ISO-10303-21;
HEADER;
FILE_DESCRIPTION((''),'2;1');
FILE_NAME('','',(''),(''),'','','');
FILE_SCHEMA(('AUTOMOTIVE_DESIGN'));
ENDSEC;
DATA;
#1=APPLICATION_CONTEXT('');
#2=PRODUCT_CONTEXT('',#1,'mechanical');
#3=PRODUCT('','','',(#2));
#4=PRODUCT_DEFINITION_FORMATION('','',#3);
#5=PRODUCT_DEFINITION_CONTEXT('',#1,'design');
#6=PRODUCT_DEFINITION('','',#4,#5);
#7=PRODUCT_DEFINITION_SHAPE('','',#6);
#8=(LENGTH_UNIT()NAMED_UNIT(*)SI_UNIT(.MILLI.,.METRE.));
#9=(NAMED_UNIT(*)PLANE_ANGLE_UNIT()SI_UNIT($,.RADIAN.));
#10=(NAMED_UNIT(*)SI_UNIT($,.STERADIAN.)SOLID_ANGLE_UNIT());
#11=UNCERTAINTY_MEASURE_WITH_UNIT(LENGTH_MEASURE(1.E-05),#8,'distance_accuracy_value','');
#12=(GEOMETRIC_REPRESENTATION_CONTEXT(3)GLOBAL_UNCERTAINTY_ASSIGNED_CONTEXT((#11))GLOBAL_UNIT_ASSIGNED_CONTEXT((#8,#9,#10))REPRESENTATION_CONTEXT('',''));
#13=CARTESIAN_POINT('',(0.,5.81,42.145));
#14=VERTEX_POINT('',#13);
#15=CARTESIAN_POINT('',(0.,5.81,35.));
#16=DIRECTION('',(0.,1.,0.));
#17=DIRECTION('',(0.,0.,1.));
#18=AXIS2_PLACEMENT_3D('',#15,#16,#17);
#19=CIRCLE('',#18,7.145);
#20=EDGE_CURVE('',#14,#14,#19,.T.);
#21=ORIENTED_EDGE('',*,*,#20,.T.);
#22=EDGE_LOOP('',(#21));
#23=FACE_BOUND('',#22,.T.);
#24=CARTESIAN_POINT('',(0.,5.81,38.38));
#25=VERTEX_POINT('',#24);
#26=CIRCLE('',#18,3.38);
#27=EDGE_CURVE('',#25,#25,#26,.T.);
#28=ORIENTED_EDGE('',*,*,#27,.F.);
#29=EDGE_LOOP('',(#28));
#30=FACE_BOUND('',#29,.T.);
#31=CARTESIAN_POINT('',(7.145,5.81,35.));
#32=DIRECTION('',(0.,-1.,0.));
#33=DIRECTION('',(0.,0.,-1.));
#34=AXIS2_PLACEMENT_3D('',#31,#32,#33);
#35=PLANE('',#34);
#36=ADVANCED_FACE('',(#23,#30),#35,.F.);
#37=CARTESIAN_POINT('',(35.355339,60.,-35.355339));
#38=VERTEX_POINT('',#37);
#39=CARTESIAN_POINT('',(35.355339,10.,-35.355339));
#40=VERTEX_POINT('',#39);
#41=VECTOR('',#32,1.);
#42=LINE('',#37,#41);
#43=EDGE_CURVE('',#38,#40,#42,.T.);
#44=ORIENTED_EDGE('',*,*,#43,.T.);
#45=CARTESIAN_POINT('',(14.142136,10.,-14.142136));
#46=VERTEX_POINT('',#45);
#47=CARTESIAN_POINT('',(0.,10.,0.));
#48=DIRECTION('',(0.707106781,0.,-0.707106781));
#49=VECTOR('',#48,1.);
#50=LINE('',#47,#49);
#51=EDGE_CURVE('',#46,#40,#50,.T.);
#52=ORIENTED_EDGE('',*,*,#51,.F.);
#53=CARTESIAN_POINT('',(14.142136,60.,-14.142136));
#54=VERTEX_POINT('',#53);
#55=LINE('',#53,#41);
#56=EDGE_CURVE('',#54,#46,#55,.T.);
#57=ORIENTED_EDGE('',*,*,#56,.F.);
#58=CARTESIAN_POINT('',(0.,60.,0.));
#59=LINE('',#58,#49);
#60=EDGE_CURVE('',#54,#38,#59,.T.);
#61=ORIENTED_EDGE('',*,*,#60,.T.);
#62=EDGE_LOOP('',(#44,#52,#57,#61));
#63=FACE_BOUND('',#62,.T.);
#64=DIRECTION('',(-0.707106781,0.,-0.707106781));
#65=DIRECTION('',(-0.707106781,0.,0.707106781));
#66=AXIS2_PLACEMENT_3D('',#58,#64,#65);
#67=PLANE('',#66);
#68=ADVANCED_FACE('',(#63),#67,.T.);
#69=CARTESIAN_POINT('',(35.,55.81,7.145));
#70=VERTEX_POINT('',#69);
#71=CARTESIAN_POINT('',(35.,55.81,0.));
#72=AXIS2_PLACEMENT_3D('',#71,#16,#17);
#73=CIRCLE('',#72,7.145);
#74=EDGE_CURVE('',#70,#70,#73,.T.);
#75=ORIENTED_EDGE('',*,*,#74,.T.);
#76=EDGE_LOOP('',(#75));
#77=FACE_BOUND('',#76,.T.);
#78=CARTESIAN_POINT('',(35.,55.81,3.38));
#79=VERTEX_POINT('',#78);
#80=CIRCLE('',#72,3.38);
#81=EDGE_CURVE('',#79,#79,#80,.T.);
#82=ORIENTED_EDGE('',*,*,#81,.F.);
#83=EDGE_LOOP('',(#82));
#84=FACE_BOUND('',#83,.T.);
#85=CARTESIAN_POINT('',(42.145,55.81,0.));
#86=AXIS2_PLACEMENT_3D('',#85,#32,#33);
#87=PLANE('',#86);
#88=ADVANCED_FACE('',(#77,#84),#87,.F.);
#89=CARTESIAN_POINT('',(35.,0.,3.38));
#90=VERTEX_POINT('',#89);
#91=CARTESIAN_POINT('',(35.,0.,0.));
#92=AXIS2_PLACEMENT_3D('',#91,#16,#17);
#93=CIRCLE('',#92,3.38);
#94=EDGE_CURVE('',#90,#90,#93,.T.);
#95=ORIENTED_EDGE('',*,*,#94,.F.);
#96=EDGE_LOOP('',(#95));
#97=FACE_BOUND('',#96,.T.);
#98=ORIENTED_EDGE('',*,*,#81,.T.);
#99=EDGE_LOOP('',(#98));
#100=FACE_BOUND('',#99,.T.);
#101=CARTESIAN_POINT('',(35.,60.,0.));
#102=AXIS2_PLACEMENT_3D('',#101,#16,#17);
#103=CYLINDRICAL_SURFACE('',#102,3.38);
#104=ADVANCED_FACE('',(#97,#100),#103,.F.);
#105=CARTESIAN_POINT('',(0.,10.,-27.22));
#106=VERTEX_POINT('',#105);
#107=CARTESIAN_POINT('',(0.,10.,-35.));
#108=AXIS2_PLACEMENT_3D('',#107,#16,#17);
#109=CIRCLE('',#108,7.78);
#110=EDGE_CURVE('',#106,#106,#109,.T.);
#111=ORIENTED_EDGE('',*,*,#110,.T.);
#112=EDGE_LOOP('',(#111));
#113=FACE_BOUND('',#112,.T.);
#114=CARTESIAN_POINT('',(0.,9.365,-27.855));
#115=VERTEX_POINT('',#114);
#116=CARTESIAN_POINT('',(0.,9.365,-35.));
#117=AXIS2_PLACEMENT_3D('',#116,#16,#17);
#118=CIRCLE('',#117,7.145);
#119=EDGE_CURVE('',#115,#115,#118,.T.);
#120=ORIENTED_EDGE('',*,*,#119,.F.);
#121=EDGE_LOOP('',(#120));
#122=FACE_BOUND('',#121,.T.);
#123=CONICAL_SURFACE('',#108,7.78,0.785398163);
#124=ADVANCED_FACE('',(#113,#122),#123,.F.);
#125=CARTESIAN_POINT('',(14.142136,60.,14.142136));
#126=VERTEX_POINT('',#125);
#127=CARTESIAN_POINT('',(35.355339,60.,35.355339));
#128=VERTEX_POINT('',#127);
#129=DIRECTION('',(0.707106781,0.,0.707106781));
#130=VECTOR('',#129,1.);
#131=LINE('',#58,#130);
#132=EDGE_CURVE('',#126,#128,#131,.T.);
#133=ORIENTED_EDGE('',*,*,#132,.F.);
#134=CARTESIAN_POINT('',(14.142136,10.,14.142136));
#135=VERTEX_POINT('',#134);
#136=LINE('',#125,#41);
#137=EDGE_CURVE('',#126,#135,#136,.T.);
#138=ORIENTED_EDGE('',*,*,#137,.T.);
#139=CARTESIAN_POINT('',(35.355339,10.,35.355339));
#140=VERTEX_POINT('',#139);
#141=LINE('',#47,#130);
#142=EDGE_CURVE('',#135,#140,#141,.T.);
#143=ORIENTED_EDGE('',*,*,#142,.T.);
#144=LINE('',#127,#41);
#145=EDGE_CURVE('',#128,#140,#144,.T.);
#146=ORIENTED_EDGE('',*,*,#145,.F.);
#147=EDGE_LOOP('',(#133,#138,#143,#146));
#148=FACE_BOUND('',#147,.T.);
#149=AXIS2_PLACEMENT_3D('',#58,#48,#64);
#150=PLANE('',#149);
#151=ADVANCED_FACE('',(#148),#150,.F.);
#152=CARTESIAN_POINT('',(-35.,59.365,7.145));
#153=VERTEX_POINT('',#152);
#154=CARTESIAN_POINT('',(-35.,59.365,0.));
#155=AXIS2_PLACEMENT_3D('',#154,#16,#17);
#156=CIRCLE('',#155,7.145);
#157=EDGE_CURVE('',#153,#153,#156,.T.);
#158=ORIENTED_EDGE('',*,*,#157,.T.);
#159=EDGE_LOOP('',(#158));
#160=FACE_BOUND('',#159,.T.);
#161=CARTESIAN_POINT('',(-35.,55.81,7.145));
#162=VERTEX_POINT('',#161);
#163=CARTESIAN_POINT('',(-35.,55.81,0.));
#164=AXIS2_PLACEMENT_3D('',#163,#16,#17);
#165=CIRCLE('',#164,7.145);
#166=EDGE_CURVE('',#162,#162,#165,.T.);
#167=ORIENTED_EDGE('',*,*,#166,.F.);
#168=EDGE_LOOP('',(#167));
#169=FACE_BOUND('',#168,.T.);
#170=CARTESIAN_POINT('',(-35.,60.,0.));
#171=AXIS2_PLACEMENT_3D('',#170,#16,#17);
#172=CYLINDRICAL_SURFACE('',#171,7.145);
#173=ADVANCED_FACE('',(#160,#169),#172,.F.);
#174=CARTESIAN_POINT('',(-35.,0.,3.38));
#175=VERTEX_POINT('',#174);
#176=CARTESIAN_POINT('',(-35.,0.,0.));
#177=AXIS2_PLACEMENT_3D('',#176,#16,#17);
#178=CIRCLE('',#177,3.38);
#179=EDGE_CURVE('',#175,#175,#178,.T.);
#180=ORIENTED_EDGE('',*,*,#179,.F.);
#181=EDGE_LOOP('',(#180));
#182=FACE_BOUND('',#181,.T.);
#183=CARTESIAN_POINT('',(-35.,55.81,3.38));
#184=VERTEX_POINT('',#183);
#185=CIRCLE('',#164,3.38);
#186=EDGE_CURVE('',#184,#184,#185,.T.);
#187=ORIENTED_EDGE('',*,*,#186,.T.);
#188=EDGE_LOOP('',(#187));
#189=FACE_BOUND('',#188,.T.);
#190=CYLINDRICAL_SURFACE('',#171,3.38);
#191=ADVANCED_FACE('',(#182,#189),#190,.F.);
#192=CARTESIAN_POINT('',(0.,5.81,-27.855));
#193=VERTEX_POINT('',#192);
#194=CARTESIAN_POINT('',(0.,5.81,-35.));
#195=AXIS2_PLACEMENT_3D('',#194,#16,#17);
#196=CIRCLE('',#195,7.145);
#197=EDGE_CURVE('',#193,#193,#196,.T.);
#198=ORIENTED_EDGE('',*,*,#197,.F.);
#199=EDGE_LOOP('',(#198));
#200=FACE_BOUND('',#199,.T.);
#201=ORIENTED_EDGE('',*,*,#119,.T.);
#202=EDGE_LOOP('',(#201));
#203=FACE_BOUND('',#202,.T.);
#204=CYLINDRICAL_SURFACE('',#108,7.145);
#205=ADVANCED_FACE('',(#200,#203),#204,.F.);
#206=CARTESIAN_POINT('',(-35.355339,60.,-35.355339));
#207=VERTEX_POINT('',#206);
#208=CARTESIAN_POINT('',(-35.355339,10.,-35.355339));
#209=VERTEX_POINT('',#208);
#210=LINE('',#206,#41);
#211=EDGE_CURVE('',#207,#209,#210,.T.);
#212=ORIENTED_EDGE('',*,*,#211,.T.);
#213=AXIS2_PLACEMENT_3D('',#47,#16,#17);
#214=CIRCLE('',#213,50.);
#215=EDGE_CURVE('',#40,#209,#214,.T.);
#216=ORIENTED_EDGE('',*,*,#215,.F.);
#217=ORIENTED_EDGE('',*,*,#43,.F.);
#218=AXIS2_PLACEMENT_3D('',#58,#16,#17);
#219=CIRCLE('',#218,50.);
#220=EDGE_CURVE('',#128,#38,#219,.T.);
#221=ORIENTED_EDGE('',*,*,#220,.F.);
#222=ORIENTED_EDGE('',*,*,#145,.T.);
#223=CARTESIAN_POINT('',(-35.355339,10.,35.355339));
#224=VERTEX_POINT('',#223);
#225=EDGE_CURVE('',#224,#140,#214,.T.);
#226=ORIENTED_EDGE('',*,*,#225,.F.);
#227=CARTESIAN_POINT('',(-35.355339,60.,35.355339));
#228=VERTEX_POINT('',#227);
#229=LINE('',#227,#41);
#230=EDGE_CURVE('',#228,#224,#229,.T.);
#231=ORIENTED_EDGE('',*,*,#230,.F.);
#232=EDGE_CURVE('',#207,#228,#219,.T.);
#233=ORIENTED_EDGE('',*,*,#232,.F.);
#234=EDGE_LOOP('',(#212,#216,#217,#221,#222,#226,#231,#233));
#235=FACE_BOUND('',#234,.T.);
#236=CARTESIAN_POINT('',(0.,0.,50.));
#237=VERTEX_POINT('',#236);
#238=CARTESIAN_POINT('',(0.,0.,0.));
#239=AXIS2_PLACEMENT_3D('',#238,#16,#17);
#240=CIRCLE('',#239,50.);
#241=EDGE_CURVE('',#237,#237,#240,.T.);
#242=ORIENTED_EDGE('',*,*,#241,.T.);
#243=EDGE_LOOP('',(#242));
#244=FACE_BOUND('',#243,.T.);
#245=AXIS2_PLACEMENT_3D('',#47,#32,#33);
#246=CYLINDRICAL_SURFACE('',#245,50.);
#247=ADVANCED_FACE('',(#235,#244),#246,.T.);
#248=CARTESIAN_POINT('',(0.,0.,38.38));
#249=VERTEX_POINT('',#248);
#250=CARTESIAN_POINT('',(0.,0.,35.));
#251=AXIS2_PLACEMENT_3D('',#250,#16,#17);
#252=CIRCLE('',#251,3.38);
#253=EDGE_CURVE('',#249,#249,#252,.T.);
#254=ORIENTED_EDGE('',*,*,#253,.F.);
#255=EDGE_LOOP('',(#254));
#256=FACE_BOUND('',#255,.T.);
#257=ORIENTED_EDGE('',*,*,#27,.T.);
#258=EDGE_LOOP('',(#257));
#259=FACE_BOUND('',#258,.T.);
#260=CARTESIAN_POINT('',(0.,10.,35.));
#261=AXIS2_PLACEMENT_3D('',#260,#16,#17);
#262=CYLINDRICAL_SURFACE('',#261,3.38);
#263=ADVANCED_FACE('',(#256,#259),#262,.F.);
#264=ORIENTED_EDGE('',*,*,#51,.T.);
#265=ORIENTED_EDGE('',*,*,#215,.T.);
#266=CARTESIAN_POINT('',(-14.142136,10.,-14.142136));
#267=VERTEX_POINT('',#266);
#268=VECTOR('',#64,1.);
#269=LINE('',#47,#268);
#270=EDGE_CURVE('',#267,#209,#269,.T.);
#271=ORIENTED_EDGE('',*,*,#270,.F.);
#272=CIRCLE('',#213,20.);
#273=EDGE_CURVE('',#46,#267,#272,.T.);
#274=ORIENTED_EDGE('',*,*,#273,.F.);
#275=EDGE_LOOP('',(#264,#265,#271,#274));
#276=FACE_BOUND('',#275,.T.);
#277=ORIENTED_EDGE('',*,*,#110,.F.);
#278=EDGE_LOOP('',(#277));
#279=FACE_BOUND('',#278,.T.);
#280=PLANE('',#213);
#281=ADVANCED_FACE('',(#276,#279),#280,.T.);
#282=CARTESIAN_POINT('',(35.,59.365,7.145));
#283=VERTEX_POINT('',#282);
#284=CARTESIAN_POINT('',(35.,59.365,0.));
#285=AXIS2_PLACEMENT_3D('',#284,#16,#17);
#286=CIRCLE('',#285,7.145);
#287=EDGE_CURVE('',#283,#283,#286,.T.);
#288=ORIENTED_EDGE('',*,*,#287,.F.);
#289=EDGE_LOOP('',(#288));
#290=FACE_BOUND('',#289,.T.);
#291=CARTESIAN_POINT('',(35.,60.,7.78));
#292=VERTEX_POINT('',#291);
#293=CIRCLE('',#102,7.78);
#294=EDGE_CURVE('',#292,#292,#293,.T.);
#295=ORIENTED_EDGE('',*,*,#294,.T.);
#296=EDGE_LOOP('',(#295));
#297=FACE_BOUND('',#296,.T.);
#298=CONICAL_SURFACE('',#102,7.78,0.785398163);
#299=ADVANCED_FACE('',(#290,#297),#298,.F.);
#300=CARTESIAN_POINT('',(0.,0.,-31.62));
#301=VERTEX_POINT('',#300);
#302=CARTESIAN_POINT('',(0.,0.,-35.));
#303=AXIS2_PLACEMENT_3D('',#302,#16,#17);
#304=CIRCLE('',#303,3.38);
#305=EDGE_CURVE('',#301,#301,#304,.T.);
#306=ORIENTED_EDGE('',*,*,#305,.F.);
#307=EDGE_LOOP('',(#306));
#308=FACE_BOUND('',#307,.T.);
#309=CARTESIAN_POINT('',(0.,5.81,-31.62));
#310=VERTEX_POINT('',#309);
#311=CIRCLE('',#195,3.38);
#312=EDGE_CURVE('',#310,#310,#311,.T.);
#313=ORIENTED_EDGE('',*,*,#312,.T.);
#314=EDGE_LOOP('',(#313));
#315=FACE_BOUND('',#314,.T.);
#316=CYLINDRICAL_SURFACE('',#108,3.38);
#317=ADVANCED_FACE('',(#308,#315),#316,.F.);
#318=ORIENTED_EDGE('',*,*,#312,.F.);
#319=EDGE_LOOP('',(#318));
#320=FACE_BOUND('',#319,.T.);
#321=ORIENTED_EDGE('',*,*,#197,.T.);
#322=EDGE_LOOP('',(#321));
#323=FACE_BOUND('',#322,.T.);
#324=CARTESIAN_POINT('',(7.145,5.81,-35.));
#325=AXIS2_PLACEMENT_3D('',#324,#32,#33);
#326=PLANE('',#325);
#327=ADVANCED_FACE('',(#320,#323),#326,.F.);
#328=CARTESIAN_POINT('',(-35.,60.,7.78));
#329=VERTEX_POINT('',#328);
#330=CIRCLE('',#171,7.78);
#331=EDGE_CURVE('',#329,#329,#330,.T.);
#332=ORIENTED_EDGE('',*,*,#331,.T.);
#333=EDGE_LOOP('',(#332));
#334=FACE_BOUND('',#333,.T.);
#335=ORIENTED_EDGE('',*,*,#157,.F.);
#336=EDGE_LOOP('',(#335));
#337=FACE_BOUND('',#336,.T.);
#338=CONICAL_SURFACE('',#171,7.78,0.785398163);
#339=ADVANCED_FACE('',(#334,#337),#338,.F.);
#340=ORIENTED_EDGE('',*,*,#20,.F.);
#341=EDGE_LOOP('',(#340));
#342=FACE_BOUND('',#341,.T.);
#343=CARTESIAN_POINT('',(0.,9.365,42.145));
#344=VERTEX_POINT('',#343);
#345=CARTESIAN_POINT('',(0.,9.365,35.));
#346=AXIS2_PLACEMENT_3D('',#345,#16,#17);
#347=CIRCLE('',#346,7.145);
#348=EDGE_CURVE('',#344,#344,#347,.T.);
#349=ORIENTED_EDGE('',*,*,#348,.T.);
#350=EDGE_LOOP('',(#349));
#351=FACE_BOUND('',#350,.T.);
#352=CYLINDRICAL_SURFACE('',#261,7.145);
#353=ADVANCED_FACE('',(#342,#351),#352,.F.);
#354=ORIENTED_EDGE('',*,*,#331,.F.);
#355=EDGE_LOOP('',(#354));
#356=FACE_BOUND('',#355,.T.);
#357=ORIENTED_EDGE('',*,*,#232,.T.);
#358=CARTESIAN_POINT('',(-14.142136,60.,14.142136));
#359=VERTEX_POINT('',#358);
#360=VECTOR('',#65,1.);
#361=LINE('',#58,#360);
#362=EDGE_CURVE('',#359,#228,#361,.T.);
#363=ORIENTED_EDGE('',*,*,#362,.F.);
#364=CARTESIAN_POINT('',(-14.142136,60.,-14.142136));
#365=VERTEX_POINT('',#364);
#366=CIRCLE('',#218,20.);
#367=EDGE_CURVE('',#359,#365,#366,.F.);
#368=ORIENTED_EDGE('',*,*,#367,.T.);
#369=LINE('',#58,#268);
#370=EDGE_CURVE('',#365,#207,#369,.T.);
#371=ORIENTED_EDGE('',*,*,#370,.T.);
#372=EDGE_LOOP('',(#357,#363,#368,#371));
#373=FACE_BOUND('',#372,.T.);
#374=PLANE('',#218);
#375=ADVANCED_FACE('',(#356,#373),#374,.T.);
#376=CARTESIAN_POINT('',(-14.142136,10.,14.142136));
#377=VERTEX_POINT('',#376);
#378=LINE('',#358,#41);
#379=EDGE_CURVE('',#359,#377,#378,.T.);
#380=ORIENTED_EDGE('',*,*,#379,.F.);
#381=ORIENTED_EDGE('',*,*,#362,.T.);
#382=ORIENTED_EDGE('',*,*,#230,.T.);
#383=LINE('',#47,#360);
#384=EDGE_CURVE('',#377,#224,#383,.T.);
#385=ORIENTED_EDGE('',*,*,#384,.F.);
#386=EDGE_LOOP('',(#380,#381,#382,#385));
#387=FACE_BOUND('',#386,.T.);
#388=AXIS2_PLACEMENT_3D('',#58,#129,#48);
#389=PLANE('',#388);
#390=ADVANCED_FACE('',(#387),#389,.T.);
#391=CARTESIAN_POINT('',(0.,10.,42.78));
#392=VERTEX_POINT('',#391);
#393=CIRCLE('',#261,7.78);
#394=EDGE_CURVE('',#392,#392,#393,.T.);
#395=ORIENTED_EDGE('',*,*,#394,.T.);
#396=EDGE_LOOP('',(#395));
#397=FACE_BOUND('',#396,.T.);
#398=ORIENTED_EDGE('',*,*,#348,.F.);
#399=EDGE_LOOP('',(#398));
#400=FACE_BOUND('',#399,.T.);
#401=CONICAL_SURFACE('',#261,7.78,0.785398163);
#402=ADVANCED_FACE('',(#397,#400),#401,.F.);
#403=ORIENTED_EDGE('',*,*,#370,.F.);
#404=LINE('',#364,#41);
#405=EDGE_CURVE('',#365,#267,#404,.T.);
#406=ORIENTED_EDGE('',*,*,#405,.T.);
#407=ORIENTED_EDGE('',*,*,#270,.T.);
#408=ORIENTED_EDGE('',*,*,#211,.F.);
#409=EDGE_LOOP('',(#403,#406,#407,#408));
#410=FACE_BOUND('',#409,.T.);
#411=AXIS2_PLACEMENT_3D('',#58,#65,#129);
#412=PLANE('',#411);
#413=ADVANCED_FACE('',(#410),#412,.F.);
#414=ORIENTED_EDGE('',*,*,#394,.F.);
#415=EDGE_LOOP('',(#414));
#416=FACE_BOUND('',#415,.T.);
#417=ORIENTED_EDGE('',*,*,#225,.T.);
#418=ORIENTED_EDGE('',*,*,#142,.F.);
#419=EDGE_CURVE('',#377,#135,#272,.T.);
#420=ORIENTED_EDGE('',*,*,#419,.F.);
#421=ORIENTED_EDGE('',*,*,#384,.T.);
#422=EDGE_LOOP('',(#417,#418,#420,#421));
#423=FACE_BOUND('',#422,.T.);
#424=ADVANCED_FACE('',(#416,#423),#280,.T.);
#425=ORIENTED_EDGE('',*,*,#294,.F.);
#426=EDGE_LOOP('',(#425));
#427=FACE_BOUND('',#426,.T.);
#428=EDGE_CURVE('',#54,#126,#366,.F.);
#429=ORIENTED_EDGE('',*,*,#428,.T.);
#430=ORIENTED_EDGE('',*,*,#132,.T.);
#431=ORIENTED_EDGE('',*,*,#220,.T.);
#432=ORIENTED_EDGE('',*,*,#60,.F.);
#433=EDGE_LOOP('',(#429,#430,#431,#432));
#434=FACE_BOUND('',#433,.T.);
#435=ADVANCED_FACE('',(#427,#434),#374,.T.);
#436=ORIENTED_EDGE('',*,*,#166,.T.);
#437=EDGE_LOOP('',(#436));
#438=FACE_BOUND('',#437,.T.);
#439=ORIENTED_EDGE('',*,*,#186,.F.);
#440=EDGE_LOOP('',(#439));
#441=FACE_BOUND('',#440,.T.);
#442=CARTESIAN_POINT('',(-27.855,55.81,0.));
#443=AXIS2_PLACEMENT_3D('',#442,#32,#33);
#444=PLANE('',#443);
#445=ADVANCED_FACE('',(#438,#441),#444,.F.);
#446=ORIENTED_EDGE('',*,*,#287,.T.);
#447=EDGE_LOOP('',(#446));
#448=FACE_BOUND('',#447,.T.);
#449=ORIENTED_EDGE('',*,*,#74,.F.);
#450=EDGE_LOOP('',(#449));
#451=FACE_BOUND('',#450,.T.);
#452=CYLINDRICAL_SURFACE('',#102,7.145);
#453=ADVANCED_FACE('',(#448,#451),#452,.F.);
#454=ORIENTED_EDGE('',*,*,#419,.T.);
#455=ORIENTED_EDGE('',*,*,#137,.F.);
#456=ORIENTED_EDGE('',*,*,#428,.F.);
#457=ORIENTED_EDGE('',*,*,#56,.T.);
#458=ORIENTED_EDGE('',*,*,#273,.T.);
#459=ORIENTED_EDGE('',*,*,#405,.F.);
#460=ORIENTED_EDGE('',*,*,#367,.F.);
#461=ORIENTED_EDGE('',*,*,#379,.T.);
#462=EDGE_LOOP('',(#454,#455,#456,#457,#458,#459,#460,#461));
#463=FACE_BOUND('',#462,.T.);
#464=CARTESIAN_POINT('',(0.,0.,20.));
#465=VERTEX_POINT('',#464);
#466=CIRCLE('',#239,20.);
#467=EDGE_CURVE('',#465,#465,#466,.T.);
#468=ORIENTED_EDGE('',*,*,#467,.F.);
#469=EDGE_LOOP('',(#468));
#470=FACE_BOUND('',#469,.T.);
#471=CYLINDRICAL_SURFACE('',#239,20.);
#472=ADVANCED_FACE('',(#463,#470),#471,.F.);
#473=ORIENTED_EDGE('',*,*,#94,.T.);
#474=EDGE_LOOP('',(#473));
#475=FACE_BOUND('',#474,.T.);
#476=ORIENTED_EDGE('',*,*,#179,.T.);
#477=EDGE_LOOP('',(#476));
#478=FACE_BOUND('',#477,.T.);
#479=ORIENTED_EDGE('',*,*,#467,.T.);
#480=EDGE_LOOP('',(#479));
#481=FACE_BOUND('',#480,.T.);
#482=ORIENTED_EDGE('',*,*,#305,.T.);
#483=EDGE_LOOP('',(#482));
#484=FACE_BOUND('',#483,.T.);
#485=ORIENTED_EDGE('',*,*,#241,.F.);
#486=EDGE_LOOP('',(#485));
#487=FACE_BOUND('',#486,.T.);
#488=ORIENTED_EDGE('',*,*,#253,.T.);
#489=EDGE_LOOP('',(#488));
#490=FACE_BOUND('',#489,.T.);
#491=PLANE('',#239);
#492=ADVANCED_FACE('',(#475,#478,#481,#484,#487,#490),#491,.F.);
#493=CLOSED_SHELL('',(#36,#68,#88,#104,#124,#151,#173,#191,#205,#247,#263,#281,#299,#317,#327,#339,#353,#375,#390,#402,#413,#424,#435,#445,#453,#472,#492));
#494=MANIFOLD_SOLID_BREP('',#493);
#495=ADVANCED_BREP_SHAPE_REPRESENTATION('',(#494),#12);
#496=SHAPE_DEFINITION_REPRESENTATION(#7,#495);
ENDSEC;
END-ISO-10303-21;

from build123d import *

# Parameters (mm, degrees)
SKETCH3_R                              = 50
BOSS_EXTRUDE1_DEPTH                    = 10
SKETCH4_R                              = 20
CUT_EXTRUDE3_DEPTH                     = 10
BOSS_EXTRUDE3_DEPTH                    = 50
CBORE_FOR_M6_HEX_HEAD_BOLT1_AT_2_COUNT = 2
CBORE_FOR_M6_HEX_HEAD_BOLT1_AT_2_PITCH = 70
CBORE_FOR_M6_HEX_HEAD_BOLT4_AT_2_COUNT = 2
CBORE_FOR_M6_HEX_HEAD_BOLT4_AT_2_PITCH = 70


with BuildPart() as part:
    # Sketch3 → Boss-Extrude1 (new body)
    with BuildSketch(Plane(origin=(0, 0, 0), x_dir=(1, 0, 0), z_dir=(0, 1, 0))):
        Circle(SKETCH3_R)
    extrude(amount=BOSS_EXTRUDE1_DEPTH)

    # Sketch4 → Cut-Extrude3 (cut)
    with BuildSketch(Plane(origin=(0, 10, 0), x_dir=(1, 0, 0), z_dir=(0, 1, 0))):
        Circle(SKETCH4_R)
    extrude(amount=-CUT_EXTRUDE3_DEPTH, mode=Mode.SUBTRACT)

    # Sketch5 → Boss-Extrude3 (add)
    with BuildSketch(Plane(origin=(0, 10, 0), x_dir=(1, 0, 0), z_dir=(0, 1, 0))):
        with BuildLine():
            ThreePointArc((14.142135624, 14.142135624), (20, 0), (14.142135624, -14.142135624))
            Line((14.142135624, -14.142135624), (35.355339059, -35.355339059))
            ThreePointArc((35.355339059, -35.355339059), (50, 0), (35.355339059, 35.355339059))
            Line((35.355339059, 35.355339059), (14.142135624, 14.142135624))
        make_face()
        with BuildLine():
            ThreePointArc((-14.142135624, -14.142135624), (-20, 0), (-14.142135624, 14.142135624))
            Line((-14.142135624, 14.142135624), (-35.355339059, 35.355339059))
            ThreePointArc((-35.355339059, 35.355339059), (-50, 0), (-35.355339059, -35.355339059))
            Line((-35.355339059, -35.355339059), (-14.142135624, -14.142135624))
        make_face()
    extrude(amount=BOSS_EXTRUDE3_DEPTH)

    # Sketch7 → CBORE for M6 Hex Head Bolt1 (revolve, cut)
    with BuildSketch(Plane(origin=(-35, 60, 0), x_dir=(0, 0, 1), z_dir=(1, 0, 0))):
        Polygon((0, 0), (0, 60), (3.38, 60), (3.38, 4.19), (7.145, 4.19), (7.145, 0.635), (7.78, 0), align=None)
    cbore_for_m6_hex_head_bolt1 = revolve(axis=Axis((-35, 66.35, 0), (0, -1, 0)), mode=Mode.SUBTRACT)

    # CBORE for M6 Hex Head Bolt1 at 2: CBORE for M6 Hex Head Bolt1 ×2
    with Locations(*[(i * CBORE_FOR_M6_HEX_HEAD_BOLT1_AT_2_PITCH, 0, 0) for i in range(1, CBORE_FOR_M6_HEX_HEAD_BOLT1_AT_2_COUNT)]):
        add(cbore_for_m6_hex_head_bolt1, mode=Mode.SUBTRACT)

    # Sketch17 → CBORE for M6 Hex Head Bolt4 (revolve, cut)
    with BuildSketch(Plane(origin=(0, 10, -35), x_dir=(0, 0, 1), z_dir=(1, 0, 0))):
        Polygon((0, 0), (0, 10), (3.38, 10), (3.38, 4.19), (7.145, 4.19), (7.145, 0.635), (7.78, 0), align=None)
    cbore_for_m6_hex_head_bolt4 = revolve(axis=Axis((0, 16.35, -35), (0, -1, 0)), mode=Mode.SUBTRACT)

    # CBORE for M6 Hex Head Bolt4 at 2: CBORE for M6 Hex Head Bolt4 ×2
    with Locations(*[(0, 0, i * CBORE_FOR_M6_HEX_HEAD_BOLT4_AT_2_PITCH) for i in range(1, CBORE_FOR_M6_HEX_HEAD_BOLT4_AT_2_COUNT)]):
        add(cbore_for_m6_hex_head_bolt4, mode=Mode.SUBTRACT)


solid = part.part
